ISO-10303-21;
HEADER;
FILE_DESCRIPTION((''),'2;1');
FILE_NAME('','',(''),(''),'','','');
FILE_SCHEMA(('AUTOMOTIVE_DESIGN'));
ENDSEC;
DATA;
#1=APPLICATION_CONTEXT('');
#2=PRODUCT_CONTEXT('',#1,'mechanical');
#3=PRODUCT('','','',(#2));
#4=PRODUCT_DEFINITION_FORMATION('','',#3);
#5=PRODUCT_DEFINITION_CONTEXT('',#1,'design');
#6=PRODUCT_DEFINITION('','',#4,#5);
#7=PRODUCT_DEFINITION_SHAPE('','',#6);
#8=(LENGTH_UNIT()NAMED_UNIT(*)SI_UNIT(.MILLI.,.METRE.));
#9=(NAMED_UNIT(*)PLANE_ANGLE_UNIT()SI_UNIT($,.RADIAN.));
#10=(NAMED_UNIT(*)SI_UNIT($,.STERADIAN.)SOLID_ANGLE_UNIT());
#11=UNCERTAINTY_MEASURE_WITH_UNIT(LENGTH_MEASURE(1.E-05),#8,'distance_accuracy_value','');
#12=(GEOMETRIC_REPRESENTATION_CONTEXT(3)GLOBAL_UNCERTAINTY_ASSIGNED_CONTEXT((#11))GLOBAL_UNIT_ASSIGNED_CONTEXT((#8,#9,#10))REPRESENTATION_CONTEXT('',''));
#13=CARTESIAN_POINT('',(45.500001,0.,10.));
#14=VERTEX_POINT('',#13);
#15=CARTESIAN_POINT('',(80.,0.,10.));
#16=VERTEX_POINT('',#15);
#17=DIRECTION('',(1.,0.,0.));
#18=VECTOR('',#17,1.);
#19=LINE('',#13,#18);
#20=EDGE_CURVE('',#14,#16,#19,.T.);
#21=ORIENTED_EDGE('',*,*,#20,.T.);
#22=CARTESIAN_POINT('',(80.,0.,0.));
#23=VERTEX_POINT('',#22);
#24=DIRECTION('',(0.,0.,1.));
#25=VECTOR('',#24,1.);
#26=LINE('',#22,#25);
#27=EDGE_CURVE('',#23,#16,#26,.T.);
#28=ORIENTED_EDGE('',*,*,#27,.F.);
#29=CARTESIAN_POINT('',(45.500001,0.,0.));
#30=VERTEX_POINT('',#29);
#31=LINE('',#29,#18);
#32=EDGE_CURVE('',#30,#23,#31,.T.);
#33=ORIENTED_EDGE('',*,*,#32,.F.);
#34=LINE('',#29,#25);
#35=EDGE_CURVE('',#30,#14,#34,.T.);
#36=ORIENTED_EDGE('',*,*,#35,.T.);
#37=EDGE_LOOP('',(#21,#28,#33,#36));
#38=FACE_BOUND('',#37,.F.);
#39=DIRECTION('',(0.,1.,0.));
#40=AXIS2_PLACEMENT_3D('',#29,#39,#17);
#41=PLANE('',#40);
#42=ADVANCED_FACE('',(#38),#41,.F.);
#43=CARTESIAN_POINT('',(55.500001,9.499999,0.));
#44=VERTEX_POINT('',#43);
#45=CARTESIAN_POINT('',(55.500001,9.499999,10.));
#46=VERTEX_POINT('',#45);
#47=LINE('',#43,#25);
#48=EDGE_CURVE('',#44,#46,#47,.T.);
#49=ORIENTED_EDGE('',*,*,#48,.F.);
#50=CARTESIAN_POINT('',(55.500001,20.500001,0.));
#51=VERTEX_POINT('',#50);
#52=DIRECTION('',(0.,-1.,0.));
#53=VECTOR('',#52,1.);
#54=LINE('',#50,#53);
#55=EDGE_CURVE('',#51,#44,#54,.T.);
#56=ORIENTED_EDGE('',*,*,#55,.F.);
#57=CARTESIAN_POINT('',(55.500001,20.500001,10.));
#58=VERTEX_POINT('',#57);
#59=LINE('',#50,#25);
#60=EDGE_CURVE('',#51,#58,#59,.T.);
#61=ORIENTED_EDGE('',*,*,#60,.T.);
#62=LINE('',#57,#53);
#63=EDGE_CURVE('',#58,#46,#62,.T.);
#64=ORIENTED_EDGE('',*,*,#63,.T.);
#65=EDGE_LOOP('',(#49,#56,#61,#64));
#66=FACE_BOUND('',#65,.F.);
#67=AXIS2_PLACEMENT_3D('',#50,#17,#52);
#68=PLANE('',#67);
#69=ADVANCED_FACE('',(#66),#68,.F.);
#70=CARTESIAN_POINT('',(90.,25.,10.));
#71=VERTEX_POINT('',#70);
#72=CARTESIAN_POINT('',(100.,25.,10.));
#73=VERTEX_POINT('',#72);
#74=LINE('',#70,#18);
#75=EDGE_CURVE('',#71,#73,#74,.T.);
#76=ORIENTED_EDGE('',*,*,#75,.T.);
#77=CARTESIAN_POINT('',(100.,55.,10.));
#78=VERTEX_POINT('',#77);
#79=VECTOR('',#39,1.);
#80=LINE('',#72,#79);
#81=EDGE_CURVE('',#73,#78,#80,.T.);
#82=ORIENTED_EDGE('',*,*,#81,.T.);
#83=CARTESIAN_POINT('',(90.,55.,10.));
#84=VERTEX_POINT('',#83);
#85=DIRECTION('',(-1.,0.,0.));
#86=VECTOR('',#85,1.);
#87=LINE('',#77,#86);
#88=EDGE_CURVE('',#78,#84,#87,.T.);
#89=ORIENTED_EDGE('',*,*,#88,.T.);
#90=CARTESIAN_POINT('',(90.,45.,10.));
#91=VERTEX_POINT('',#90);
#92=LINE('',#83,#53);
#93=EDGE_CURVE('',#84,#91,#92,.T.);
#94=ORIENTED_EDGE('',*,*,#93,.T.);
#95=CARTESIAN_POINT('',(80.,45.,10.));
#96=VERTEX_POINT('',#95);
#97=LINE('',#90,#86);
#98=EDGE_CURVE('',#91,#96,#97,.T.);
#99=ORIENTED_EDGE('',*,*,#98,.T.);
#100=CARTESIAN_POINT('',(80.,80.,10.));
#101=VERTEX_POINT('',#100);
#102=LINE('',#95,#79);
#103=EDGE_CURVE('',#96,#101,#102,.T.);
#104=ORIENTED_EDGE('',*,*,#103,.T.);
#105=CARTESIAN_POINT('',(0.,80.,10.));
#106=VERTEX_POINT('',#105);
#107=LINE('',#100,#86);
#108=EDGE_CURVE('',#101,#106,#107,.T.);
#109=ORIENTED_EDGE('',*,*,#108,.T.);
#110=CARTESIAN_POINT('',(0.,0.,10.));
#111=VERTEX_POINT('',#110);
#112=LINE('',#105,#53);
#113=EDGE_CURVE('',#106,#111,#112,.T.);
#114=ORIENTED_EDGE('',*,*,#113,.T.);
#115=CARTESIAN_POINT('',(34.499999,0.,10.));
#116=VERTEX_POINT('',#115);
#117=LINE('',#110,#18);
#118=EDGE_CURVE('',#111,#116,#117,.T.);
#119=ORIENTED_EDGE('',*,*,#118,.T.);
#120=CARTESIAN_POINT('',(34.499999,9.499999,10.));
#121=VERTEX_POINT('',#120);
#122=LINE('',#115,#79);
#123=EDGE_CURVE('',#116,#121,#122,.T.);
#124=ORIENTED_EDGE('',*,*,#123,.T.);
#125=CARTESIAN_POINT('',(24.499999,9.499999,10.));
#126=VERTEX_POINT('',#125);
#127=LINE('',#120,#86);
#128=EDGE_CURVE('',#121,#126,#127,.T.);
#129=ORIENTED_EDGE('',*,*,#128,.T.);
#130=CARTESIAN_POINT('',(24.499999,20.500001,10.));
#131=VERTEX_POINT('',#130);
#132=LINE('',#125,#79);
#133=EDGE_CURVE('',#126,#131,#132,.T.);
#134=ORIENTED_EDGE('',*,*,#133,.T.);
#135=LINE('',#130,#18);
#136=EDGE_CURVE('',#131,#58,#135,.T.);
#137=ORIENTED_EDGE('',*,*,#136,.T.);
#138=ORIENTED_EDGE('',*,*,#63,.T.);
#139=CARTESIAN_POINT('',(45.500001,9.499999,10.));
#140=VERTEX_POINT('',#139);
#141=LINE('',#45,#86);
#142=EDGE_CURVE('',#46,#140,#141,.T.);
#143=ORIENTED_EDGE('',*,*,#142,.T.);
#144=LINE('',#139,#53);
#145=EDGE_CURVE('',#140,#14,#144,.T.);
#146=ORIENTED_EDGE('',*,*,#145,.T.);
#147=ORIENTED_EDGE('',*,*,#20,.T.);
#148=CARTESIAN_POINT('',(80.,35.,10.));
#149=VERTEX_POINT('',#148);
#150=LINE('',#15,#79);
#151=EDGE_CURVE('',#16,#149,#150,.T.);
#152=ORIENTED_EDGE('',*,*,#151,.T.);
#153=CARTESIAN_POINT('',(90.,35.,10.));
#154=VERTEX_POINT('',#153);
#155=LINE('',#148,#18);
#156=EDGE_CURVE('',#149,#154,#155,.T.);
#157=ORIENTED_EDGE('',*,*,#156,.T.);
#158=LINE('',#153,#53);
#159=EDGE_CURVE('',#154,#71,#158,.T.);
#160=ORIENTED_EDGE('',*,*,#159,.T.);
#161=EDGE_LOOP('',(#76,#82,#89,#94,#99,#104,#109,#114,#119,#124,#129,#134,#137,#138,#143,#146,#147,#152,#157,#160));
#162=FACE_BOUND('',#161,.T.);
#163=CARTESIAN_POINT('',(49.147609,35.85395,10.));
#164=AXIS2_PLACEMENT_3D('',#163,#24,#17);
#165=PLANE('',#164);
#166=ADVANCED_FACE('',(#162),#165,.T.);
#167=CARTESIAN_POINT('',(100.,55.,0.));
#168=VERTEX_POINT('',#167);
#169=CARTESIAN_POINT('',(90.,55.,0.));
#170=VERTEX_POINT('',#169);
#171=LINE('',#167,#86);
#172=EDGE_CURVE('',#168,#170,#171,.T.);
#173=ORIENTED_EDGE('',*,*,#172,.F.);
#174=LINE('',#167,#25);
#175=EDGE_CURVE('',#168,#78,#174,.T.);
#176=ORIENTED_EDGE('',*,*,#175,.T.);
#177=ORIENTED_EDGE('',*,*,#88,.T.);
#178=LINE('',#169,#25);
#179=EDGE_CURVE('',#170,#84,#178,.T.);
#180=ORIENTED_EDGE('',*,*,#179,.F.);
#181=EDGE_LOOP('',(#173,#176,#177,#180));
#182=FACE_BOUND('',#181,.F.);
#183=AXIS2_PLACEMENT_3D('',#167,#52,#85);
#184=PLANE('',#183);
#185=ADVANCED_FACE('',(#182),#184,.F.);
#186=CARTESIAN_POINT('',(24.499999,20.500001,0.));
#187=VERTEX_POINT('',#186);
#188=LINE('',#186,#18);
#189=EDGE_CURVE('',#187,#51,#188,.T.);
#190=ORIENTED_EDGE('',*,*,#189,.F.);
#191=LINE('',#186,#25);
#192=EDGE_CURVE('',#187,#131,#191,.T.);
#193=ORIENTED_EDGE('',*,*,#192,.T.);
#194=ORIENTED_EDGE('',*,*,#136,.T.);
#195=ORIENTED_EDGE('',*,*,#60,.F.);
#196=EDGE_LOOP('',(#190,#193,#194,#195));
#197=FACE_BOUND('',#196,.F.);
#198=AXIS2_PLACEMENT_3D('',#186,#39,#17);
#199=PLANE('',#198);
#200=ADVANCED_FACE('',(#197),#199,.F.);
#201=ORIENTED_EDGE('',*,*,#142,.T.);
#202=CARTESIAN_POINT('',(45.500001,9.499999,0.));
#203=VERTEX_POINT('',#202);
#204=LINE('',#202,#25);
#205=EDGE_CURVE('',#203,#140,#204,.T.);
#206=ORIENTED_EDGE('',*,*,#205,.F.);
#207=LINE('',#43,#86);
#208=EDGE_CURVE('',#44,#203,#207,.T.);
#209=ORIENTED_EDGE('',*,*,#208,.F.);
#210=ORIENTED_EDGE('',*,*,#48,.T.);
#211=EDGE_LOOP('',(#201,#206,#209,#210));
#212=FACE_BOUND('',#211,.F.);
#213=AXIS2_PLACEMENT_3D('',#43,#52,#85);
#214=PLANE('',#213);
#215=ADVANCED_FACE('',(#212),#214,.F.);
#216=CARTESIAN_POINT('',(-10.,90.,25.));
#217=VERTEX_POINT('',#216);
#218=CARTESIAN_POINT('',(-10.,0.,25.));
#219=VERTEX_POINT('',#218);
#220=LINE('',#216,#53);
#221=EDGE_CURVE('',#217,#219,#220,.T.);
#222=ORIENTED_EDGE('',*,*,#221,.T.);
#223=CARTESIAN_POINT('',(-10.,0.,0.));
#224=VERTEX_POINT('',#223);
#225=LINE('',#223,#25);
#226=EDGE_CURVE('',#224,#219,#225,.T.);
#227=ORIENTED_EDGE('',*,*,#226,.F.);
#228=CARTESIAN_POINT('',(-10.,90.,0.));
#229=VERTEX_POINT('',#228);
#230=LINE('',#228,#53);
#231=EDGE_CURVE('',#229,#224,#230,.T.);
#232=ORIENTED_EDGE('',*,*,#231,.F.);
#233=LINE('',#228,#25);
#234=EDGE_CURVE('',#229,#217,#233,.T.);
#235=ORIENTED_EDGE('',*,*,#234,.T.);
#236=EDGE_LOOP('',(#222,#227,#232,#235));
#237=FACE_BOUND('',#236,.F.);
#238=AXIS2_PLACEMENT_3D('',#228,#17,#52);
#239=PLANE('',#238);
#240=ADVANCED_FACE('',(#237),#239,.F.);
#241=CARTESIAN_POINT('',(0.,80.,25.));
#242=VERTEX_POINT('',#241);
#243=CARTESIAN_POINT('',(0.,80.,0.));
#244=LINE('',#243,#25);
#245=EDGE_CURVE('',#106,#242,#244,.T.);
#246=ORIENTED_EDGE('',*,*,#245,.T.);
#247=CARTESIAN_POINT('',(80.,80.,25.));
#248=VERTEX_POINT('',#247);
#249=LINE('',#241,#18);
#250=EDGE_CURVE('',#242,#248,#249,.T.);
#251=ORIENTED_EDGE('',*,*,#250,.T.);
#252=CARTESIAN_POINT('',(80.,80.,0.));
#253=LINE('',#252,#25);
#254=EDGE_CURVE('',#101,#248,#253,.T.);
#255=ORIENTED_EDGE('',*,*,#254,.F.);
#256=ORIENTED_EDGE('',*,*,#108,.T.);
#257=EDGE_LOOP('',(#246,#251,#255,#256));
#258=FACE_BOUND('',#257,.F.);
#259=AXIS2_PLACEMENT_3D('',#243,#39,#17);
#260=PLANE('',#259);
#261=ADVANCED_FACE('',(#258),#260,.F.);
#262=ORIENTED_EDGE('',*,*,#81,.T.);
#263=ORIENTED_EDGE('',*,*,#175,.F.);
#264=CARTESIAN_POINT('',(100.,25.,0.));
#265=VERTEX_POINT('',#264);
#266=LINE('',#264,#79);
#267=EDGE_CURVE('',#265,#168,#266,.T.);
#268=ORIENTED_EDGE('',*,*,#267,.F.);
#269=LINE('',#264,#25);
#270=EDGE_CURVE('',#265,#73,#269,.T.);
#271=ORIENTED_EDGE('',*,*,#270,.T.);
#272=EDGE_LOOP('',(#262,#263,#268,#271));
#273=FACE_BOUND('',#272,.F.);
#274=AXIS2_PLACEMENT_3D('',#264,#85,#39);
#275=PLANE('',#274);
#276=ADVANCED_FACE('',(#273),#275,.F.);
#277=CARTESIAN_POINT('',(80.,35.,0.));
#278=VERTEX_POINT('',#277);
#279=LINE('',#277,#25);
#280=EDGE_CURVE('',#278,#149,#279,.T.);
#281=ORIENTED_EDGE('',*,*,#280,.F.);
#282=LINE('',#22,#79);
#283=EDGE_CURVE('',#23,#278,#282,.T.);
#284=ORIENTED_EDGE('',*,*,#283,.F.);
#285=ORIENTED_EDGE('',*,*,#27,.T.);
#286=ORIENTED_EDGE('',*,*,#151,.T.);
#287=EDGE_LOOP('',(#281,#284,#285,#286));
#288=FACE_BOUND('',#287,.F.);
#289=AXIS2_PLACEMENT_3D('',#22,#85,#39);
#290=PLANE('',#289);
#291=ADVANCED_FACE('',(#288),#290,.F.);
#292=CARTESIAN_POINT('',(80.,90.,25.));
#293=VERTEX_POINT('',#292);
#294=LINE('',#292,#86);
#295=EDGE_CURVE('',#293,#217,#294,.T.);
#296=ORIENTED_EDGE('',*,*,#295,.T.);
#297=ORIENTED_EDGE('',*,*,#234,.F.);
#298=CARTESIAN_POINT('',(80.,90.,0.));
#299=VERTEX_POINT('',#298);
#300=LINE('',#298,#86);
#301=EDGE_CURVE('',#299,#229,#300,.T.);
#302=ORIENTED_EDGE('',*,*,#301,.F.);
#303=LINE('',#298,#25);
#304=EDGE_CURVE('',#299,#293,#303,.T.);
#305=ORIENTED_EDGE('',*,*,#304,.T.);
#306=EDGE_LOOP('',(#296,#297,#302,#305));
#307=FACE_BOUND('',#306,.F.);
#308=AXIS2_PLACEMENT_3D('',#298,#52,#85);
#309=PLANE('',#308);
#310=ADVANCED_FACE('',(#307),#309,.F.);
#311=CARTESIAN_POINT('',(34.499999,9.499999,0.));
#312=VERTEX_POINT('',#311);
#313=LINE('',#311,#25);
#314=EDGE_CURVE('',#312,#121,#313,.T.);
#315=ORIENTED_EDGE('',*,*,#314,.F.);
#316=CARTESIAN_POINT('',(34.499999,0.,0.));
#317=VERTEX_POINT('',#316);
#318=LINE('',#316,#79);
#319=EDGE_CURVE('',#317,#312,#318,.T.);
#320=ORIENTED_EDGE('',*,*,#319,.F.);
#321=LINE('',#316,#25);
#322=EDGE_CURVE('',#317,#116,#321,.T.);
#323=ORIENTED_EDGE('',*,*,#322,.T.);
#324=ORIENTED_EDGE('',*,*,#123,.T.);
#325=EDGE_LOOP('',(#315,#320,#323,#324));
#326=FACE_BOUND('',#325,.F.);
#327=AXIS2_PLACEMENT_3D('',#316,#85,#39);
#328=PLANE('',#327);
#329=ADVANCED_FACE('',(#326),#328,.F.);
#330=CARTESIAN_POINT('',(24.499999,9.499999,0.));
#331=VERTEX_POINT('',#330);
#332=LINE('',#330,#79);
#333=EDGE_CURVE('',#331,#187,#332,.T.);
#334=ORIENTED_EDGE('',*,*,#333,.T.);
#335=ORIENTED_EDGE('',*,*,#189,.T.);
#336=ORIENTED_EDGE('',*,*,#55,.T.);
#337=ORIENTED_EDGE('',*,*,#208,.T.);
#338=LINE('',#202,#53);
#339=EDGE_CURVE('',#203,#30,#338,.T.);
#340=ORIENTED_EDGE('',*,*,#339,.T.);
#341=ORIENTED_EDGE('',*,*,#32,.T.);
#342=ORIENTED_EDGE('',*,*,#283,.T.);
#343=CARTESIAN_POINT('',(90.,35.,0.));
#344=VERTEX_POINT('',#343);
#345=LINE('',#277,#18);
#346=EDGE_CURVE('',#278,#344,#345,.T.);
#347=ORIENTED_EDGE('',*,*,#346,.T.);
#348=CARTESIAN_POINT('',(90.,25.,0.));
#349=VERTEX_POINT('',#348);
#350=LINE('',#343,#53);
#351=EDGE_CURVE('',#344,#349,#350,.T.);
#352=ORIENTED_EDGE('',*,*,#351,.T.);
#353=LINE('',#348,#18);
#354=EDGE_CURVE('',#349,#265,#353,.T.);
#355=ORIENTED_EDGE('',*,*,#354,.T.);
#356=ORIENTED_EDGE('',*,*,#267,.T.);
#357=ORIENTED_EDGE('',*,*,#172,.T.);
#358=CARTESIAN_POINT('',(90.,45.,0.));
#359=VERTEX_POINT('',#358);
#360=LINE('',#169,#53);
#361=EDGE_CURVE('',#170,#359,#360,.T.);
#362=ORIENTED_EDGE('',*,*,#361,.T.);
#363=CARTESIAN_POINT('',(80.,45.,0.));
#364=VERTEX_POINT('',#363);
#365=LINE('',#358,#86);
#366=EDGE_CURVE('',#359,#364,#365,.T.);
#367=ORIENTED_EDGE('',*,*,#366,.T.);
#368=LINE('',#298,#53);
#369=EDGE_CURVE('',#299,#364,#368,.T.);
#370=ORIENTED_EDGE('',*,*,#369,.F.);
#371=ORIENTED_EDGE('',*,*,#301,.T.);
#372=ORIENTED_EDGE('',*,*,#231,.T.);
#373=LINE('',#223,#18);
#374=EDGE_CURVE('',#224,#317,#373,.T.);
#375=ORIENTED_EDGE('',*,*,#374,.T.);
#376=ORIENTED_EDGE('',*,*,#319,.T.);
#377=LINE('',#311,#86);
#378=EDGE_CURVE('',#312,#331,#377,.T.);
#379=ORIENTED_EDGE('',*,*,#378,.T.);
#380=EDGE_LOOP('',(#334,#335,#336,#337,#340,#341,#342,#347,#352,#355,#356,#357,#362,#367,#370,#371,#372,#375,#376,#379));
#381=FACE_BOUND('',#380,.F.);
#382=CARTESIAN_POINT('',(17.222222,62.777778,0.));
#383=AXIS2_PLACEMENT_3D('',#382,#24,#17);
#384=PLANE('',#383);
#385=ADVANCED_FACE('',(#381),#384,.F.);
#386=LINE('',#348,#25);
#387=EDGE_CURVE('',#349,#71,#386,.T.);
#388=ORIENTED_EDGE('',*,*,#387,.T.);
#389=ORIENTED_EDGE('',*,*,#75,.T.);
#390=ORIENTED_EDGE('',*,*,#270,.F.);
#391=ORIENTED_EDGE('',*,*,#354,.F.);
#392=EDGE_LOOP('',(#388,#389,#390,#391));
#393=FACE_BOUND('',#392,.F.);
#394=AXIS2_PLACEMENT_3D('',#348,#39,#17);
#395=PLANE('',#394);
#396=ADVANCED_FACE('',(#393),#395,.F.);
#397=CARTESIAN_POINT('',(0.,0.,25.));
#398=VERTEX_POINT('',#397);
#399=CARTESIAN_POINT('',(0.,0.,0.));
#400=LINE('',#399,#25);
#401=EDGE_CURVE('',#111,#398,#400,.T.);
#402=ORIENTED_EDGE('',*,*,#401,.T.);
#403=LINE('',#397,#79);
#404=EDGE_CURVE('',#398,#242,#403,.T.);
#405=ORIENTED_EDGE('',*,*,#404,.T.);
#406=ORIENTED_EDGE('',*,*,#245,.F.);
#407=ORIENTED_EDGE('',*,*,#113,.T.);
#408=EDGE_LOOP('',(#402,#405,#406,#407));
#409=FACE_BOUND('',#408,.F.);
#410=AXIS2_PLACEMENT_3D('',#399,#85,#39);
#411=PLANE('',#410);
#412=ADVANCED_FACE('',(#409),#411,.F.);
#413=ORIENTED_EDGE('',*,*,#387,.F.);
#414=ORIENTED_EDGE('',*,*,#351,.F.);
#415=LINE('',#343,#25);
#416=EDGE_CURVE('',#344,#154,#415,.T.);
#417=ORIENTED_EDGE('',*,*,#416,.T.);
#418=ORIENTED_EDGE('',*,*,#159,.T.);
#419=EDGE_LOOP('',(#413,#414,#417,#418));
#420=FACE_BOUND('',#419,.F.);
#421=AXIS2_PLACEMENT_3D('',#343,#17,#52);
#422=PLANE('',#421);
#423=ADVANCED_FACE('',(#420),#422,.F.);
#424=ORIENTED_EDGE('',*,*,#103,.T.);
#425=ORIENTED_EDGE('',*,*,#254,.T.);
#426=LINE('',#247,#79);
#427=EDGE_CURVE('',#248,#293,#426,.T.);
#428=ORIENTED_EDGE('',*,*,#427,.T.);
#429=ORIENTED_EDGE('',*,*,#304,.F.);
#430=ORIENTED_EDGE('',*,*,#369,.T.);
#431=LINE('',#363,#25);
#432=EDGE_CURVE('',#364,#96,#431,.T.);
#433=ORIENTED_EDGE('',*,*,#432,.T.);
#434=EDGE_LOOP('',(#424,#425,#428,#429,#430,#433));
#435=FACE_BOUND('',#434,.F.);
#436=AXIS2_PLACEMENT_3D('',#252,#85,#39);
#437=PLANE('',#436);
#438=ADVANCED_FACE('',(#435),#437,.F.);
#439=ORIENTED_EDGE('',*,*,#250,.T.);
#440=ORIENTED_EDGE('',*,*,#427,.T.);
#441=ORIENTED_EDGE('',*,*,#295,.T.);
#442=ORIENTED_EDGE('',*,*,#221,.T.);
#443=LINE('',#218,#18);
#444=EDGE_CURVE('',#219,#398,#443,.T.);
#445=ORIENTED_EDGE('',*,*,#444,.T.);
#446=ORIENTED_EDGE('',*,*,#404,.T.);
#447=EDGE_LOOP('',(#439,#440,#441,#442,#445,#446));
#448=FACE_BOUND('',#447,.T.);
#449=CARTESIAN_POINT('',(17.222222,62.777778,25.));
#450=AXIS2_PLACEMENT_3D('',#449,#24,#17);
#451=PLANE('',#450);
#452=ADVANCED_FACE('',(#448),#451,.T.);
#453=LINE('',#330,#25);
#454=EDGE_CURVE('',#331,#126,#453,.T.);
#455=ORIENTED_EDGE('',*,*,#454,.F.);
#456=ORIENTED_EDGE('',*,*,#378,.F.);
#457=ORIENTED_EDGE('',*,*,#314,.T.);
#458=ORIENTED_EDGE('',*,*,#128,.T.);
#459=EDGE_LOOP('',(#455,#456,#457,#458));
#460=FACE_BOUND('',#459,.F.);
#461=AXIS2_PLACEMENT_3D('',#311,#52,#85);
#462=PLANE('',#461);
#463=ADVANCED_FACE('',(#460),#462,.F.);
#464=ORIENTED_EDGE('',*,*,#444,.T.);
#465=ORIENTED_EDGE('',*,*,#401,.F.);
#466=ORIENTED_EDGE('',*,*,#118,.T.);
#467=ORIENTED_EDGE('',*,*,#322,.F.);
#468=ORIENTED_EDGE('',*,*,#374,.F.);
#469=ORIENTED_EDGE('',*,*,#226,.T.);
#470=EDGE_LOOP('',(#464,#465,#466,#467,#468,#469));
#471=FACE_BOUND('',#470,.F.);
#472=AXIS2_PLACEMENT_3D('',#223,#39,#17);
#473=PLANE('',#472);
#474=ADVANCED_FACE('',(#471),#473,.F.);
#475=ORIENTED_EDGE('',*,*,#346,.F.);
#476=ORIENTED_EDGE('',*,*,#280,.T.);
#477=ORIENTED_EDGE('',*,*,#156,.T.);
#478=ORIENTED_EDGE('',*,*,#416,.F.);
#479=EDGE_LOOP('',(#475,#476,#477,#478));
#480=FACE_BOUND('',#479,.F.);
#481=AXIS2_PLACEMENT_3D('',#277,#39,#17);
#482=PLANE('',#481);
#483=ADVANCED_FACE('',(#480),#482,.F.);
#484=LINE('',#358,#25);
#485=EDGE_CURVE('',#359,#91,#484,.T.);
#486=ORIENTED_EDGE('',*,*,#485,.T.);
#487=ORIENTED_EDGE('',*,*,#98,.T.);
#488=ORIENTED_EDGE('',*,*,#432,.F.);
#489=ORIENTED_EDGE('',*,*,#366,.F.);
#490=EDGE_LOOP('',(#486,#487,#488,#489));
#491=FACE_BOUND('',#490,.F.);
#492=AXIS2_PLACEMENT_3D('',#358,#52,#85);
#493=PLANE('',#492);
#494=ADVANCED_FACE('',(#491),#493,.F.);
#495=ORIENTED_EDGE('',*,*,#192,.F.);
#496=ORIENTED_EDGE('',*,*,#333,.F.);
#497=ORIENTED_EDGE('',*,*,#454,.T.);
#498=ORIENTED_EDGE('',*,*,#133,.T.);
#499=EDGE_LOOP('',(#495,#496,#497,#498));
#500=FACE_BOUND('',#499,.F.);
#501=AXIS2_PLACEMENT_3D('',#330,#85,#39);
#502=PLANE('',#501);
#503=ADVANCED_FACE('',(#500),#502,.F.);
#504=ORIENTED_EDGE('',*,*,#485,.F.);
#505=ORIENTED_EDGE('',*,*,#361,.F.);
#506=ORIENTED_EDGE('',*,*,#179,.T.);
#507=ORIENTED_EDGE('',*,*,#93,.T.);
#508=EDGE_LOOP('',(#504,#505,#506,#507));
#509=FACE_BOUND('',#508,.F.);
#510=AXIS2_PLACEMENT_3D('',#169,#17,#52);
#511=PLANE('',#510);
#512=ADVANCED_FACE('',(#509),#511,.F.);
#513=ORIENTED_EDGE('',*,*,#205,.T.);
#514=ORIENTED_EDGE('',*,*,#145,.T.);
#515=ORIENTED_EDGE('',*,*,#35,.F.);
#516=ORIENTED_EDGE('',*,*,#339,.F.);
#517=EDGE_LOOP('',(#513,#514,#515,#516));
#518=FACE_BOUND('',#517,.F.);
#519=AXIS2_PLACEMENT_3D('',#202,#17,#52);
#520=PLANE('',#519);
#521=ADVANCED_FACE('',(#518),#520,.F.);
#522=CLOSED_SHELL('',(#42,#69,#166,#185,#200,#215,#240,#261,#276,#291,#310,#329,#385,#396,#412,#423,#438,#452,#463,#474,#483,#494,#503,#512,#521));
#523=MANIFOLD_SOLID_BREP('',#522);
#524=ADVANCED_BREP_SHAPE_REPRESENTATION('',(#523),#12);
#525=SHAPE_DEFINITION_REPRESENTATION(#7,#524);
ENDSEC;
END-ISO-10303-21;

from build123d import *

# Parameters (mm, degrees)
F1_DEPTH = 10
F2_DEPTH = 25


with BuildPart() as f1:
    # F0 (on Top) → F1 (new body)
    with BuildSketch(Plane.XY):
        Polygon((0, 80), (0, 0), (34.499999, 0), (34.499999, 9.499999), (24.499999, 9.499999), (24.499999, 20.500001), (55.500001, 20.500001), (55.500001, 9.499999), (45.500001, 9.499999), (45.500001, 0), (80, 0), (80, 35), (90, 35), (90, 25), (100, 25), (100, 55), (90, 55), (90, 45), (80, 45), (80, 80), align=None)
    extrude(amount=F1_DEPTH)

    # F0 (on Top) → F2 (join)
    with BuildSketch(Plane.XY):
        Polygon((-10, 0), (0, 0), (0, 80), (80, 80), (80, 90), (-10, 90), align=None)
    extrude(amount=F2_DEPTH)


solid = f1.part
